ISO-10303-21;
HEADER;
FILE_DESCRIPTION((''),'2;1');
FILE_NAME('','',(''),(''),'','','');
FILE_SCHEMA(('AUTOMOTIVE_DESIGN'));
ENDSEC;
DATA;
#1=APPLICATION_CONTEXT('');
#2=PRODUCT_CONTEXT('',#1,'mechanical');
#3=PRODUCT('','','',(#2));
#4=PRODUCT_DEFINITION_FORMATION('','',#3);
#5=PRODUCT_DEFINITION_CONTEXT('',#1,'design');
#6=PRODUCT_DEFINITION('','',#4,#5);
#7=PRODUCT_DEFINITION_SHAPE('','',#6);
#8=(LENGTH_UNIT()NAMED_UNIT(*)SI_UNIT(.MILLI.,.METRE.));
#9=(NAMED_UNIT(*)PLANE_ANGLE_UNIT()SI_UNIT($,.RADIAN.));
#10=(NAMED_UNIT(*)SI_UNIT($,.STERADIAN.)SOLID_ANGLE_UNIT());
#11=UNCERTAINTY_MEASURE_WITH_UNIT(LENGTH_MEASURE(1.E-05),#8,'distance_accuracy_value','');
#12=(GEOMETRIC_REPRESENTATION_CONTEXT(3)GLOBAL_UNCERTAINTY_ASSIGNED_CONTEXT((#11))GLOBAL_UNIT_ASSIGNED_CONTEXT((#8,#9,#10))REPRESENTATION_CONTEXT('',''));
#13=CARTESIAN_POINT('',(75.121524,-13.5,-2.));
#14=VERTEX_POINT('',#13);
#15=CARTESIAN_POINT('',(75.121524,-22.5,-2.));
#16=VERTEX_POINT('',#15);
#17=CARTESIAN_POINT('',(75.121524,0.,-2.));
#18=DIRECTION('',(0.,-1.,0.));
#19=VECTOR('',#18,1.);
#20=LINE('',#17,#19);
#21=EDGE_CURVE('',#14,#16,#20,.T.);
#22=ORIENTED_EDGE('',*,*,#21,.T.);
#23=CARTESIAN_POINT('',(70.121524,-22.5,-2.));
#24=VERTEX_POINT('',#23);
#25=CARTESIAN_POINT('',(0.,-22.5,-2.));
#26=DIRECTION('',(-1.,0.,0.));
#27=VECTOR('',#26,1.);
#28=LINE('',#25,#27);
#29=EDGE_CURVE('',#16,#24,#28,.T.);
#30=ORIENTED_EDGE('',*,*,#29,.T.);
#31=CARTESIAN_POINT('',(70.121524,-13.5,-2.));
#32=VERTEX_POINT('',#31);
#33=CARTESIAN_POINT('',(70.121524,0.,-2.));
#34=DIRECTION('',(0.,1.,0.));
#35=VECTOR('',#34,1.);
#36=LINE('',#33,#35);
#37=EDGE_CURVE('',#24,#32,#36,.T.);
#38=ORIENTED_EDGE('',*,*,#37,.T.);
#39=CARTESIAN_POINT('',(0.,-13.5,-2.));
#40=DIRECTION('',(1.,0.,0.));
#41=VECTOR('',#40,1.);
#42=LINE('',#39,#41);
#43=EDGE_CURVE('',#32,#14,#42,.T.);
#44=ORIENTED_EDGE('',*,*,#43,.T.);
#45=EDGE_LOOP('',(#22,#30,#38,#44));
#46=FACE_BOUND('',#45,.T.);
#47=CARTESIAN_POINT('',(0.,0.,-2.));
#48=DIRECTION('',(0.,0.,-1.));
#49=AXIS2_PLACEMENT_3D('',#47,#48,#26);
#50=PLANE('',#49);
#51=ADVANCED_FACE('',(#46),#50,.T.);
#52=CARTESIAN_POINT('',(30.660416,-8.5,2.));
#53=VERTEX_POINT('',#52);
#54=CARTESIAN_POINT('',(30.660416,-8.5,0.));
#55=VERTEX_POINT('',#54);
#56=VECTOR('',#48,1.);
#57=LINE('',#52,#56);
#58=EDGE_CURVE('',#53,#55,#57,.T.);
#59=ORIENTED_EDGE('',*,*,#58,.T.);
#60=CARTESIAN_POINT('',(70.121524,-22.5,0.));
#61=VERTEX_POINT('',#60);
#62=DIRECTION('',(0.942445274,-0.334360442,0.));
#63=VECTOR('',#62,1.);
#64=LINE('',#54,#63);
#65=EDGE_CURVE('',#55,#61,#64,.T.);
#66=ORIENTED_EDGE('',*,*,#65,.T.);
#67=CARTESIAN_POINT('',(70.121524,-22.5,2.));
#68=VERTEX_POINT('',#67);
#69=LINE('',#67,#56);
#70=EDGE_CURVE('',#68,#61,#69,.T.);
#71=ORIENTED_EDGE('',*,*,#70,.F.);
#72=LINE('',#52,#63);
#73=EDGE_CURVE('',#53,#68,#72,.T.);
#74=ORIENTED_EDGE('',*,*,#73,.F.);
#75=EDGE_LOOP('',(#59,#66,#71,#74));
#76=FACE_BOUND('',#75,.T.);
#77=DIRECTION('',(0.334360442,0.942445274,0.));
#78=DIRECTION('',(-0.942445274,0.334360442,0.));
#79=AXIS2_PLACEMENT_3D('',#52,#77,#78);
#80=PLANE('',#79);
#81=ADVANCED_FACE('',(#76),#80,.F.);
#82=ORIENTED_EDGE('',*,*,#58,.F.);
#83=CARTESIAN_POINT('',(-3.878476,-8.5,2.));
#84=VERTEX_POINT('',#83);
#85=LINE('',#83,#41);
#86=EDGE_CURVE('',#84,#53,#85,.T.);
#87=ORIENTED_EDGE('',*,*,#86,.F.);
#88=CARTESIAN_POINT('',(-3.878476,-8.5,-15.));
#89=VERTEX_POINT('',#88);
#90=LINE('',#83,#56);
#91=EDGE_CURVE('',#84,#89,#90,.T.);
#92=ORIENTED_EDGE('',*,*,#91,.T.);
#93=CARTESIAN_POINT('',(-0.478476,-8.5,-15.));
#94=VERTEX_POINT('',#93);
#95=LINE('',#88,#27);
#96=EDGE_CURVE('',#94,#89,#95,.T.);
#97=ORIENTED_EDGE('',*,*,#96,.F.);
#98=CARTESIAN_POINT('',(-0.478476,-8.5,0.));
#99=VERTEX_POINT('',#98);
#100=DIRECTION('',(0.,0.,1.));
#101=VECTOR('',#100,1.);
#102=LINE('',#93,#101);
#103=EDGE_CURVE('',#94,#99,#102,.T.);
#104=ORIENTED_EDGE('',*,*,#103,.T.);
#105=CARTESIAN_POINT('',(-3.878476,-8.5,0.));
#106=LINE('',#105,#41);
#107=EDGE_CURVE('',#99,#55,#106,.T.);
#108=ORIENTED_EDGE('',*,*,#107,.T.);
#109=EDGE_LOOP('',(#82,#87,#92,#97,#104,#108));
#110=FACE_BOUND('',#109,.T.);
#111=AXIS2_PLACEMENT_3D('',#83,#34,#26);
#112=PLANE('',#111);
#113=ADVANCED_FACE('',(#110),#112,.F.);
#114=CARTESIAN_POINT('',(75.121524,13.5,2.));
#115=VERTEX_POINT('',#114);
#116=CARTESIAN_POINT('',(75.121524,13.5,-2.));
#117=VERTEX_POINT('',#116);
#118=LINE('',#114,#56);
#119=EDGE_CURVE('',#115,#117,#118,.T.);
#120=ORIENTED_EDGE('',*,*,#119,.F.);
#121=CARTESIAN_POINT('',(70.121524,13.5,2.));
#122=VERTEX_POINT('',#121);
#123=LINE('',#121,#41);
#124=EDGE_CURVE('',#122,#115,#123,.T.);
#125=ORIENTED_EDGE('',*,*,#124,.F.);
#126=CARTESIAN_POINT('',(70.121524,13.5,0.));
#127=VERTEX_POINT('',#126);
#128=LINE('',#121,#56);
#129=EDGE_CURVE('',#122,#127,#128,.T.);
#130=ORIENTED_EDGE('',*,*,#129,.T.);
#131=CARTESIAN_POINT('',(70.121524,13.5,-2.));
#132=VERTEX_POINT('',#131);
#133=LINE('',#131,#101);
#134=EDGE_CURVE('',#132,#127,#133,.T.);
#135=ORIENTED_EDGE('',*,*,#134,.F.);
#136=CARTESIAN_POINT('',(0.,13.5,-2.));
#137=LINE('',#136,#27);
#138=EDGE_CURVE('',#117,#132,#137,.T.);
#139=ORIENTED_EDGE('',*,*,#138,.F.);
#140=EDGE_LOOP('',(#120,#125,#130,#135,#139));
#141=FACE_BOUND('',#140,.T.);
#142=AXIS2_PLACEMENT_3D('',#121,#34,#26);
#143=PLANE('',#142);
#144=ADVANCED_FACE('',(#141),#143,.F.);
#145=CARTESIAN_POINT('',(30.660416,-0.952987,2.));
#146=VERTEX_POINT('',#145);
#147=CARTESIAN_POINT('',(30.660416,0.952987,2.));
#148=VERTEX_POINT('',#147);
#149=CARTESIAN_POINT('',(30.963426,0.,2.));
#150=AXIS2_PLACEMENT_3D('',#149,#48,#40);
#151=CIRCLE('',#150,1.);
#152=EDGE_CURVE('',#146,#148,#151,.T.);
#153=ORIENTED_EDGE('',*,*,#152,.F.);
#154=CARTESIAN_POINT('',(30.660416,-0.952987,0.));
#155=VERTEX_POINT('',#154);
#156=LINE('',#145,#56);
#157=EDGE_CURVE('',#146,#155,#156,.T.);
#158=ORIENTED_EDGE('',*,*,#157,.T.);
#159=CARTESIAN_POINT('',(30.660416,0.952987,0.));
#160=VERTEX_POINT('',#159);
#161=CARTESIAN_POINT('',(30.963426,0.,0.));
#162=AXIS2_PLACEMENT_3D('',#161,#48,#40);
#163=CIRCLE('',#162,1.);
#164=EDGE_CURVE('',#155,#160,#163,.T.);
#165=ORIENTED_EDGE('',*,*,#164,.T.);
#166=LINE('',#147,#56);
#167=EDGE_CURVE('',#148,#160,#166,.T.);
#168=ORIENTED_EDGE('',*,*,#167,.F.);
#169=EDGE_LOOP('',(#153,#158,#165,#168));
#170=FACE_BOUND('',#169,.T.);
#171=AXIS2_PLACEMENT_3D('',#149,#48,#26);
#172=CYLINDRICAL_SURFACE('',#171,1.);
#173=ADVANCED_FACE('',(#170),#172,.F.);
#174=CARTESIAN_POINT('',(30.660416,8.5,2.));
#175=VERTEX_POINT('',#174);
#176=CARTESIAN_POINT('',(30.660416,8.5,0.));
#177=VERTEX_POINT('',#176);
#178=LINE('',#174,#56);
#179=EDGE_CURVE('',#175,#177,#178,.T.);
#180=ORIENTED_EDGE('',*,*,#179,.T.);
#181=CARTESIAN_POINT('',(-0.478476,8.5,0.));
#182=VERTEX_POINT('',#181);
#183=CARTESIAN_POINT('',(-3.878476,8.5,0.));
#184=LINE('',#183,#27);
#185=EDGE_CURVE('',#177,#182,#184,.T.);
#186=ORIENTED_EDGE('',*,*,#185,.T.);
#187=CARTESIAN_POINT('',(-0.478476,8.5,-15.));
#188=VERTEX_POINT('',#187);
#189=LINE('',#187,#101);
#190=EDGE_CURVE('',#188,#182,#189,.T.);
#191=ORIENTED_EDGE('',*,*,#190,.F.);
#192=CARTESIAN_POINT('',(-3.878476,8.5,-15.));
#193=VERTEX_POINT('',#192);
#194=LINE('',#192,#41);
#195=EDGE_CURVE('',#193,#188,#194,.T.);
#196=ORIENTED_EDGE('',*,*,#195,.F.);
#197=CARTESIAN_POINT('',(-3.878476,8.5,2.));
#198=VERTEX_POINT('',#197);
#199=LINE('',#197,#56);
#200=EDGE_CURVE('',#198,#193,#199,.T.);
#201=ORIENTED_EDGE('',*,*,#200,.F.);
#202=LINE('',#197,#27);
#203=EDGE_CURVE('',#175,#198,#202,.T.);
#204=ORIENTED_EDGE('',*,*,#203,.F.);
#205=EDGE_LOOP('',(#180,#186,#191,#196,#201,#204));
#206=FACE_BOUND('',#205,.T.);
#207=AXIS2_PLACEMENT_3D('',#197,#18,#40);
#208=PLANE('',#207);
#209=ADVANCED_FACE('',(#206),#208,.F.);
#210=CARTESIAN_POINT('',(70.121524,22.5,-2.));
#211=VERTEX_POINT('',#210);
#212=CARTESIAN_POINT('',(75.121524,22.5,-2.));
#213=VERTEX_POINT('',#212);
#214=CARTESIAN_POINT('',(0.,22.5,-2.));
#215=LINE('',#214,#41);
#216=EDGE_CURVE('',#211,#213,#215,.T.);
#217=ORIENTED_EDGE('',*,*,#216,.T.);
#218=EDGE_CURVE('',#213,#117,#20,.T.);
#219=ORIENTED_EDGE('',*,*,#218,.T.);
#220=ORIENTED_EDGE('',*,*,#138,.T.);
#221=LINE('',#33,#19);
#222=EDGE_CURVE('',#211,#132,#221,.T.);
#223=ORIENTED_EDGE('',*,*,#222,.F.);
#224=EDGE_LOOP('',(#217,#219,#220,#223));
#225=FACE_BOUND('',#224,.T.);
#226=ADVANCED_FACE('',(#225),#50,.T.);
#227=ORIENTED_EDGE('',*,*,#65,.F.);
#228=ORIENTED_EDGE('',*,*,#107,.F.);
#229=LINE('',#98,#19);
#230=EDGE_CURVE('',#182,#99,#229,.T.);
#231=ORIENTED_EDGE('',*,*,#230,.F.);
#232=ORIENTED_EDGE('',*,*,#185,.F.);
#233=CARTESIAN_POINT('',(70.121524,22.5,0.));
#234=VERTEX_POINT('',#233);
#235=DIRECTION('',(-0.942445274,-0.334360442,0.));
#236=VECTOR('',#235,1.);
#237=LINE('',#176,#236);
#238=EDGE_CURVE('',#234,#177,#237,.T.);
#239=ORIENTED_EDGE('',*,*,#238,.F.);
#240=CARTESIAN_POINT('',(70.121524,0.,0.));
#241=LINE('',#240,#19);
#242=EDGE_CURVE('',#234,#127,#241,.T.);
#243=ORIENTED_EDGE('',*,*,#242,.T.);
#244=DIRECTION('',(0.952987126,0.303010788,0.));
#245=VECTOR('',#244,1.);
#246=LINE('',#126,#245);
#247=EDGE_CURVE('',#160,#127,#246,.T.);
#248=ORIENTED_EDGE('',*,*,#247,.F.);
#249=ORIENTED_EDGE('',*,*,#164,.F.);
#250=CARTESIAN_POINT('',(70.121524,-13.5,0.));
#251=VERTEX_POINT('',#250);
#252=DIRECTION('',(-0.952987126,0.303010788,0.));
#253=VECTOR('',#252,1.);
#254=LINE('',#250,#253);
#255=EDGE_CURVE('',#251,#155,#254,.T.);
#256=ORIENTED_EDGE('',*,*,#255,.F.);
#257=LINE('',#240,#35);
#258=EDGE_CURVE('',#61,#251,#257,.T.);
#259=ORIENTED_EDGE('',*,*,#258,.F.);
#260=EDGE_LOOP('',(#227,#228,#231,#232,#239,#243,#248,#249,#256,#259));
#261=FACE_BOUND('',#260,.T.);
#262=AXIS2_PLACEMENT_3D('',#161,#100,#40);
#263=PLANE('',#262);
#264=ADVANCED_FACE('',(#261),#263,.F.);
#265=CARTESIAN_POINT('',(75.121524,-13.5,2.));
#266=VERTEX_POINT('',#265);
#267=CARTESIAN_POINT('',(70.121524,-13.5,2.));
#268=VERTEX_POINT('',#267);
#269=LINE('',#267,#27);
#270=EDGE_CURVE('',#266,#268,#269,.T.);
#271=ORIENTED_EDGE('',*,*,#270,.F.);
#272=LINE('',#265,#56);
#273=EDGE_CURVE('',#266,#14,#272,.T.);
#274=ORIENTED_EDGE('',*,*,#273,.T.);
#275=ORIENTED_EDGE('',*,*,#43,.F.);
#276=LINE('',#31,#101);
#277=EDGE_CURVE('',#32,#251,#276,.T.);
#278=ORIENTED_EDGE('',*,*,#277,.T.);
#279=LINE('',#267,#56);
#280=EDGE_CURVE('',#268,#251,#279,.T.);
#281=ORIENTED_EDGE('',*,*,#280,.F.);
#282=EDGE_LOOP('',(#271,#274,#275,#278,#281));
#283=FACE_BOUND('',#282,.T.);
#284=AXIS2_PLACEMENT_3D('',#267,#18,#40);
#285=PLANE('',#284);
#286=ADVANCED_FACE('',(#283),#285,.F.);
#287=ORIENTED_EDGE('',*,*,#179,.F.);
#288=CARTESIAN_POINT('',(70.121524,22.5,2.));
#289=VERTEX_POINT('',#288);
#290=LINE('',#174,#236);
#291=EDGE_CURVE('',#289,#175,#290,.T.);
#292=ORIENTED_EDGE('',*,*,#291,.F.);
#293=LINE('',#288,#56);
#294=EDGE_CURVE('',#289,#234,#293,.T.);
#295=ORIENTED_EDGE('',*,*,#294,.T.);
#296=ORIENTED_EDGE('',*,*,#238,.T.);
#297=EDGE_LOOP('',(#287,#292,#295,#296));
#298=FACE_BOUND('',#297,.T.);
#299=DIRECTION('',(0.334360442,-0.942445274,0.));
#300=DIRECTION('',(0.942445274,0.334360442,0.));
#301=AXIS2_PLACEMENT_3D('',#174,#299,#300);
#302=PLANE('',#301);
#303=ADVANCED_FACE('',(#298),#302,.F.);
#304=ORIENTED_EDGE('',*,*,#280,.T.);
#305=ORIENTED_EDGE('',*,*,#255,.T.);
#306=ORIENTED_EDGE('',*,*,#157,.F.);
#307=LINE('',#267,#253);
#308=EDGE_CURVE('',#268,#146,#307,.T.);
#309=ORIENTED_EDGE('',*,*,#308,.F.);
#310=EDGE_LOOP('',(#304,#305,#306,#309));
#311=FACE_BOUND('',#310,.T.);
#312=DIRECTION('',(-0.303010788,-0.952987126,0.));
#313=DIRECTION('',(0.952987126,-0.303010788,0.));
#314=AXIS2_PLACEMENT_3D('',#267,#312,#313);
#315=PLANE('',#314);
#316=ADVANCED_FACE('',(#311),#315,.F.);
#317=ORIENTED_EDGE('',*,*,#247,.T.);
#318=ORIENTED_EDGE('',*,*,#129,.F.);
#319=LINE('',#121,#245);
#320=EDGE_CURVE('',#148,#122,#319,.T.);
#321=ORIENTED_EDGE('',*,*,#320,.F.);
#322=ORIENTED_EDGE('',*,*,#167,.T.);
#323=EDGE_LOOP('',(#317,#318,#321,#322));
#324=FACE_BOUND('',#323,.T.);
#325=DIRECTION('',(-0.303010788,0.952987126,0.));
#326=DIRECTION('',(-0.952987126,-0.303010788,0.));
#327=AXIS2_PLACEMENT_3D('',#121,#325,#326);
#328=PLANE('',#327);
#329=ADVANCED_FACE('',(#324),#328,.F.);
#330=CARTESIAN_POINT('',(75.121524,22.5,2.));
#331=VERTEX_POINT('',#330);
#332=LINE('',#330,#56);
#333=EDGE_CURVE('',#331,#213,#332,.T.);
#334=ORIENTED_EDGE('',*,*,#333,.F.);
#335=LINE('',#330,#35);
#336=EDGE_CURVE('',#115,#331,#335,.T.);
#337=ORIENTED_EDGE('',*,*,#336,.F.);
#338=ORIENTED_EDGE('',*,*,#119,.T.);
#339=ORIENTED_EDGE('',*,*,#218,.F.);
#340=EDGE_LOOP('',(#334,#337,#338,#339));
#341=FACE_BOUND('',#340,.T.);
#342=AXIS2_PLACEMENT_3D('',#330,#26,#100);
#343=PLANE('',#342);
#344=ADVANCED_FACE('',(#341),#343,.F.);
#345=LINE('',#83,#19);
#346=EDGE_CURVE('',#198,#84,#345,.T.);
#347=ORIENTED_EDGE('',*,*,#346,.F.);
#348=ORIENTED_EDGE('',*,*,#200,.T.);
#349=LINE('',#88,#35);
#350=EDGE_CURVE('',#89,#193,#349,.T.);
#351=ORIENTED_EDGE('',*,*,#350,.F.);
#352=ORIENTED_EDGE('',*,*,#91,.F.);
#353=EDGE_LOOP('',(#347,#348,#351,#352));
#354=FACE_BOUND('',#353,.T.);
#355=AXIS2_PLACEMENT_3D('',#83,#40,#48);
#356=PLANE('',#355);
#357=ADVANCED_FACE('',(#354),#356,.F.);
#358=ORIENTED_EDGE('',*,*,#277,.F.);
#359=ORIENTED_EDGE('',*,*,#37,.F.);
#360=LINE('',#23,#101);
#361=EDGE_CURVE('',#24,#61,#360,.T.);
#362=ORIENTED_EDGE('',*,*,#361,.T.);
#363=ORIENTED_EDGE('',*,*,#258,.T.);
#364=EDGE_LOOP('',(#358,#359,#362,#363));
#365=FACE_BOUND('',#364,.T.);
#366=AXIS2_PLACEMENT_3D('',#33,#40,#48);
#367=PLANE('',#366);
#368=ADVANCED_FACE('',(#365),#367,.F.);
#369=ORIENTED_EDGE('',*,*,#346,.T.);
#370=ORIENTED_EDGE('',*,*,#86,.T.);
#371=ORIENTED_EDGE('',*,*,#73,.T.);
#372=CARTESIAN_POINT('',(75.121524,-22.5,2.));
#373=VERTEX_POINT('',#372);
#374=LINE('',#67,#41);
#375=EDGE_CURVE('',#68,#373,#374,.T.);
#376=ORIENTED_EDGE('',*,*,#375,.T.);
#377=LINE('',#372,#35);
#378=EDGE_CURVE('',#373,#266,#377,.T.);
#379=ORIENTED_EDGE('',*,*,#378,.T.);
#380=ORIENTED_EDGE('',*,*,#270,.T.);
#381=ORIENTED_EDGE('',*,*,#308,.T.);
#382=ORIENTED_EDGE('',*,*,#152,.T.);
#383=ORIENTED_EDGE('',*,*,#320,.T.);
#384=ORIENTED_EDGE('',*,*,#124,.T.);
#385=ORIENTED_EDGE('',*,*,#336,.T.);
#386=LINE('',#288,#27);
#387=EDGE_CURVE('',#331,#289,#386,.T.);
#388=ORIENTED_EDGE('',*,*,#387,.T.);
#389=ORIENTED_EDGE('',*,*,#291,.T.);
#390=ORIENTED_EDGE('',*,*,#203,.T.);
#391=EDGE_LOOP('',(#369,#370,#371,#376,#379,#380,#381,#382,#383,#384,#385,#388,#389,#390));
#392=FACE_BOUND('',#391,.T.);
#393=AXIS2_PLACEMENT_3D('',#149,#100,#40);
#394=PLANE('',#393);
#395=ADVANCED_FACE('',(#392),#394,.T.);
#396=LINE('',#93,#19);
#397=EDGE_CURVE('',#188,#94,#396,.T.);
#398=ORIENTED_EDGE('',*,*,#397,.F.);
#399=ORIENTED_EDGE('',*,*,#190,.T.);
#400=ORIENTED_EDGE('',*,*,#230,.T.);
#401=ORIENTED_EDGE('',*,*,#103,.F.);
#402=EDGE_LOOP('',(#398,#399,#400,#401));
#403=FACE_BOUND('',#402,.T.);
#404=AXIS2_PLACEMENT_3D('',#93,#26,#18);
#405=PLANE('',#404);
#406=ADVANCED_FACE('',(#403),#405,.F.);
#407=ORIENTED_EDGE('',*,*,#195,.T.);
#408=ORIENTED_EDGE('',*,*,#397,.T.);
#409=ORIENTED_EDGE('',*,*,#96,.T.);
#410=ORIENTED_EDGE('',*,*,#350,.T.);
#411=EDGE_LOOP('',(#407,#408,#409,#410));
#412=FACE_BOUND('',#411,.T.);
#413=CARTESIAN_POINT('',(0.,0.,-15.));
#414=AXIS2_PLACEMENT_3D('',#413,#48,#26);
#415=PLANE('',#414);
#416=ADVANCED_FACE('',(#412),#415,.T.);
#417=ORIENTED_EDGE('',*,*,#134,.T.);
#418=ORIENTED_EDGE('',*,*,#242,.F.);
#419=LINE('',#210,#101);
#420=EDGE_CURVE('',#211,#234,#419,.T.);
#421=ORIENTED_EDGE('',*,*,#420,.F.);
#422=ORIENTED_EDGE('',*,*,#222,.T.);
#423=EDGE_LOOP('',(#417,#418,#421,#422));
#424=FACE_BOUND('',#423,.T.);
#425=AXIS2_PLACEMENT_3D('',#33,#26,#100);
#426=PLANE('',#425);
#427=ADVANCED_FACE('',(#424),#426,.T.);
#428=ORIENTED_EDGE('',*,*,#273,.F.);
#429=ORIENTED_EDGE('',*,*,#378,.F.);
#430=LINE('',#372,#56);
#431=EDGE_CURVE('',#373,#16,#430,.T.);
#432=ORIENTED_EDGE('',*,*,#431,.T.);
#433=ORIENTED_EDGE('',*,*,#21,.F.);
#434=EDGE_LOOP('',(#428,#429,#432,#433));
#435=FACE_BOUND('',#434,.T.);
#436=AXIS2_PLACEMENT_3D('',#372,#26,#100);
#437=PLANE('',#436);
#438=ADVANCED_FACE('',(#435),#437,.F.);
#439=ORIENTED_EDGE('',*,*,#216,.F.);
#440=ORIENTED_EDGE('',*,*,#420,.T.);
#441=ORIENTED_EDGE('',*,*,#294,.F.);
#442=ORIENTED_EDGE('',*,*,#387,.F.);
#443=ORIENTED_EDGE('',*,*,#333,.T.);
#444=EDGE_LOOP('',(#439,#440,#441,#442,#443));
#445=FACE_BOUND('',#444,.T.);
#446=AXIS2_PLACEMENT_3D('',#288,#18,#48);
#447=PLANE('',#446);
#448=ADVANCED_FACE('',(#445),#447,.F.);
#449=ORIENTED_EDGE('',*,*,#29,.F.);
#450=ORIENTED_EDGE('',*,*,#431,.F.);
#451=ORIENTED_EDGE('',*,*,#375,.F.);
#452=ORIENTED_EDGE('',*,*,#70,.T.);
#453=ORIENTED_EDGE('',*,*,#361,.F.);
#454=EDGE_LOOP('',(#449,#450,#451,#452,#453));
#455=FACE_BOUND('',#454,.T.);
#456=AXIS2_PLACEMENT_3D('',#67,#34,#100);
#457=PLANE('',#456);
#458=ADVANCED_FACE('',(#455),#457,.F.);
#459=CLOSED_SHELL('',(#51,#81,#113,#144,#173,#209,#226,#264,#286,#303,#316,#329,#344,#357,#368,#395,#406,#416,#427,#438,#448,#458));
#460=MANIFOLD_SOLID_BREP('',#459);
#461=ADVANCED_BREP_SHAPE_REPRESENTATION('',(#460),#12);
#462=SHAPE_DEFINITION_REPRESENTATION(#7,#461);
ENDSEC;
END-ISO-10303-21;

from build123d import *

# Parameters (mm, degrees)
EXTRUDE_1_DEPTH = 2
SKETCH_3_W      = 3.4
SKETCH_3_H      = 17
EXTRUDE_2_DEPTH = 15
SKETCH_6_W      = 5
SKETCH_6_H      = 9
EXTRUDE_4_DEPTH = 2


with BuildPart() as part:
    # 스케치1 → 보스-돌출1 (new body)
    with BuildSketch(Plane.XY):
        with BuildLine():
            Line((30.660415516, 8.5), (70.121524493, 22.5))
            Line((70.121524493, 22.5), (75.121524493, 22.5))
            Line((75.121524493, 22.5), (75.121524493, 13.5))
            Line((75.121524493, 13.5), (70.121524493, 13.5))
            Line((70.121524493, 13.5), (30.660415516, 0.952987126))
            ThreePointArc((30.660415516, 0.952987126), (29.963426304, 0), (30.660415516, -0.952987126))
            Line((30.660415516, -0.952987126), (70.121524493, -13.5))
            Line((70.121524493, -13.5), (75.121524493, -13.5))
            Line((75.121524493, -13.5), (75.121524493, -22.5))
            Line((75.121524493, -22.5), (70.121524493, -22.5))
            Line((70.121524493, -22.5), (30.660415516, -8.5))
            Line((30.660415516, -8.5), (-3.878475507, -8.5))
            Line((-3.878475507, -8.5), (-3.878475507, 8.5))
            Line((-3.878475507, 8.5), (30.660415516, 8.5))
        make_face()
    extrude(amount=EXTRUDE_1_DEPTH)

    # 스케치3 → 보스-돌출2 (add)
    with BuildSketch(Plane(origin=(0, 0, 0), x_dir=(-1, 0, 0), z_dir=(0, 0, -1))):
        with Locations((2.178475507, 0)):
            Rectangle(SKETCH_3_W, SKETCH_3_H)
    extrude(amount=EXTRUDE_2_DEPTH)

    # 스케치6 → 보스-돌출4 (add)
    with BuildSketch(Plane(origin=(0, 0, 0), x_dir=(-1, 0, 0), z_dir=(0, 0, -1))):
        with Locations((-72.621524493, -18)):
            Rectangle(SKETCH_6_W, SKETCH_6_H)
        with Locations((-72.621524493, 18)):
            Rectangle(SKETCH_6_W, SKETCH_6_H)
    extrude(amount=EXTRUDE_4_DEPTH)


solid = part.part
